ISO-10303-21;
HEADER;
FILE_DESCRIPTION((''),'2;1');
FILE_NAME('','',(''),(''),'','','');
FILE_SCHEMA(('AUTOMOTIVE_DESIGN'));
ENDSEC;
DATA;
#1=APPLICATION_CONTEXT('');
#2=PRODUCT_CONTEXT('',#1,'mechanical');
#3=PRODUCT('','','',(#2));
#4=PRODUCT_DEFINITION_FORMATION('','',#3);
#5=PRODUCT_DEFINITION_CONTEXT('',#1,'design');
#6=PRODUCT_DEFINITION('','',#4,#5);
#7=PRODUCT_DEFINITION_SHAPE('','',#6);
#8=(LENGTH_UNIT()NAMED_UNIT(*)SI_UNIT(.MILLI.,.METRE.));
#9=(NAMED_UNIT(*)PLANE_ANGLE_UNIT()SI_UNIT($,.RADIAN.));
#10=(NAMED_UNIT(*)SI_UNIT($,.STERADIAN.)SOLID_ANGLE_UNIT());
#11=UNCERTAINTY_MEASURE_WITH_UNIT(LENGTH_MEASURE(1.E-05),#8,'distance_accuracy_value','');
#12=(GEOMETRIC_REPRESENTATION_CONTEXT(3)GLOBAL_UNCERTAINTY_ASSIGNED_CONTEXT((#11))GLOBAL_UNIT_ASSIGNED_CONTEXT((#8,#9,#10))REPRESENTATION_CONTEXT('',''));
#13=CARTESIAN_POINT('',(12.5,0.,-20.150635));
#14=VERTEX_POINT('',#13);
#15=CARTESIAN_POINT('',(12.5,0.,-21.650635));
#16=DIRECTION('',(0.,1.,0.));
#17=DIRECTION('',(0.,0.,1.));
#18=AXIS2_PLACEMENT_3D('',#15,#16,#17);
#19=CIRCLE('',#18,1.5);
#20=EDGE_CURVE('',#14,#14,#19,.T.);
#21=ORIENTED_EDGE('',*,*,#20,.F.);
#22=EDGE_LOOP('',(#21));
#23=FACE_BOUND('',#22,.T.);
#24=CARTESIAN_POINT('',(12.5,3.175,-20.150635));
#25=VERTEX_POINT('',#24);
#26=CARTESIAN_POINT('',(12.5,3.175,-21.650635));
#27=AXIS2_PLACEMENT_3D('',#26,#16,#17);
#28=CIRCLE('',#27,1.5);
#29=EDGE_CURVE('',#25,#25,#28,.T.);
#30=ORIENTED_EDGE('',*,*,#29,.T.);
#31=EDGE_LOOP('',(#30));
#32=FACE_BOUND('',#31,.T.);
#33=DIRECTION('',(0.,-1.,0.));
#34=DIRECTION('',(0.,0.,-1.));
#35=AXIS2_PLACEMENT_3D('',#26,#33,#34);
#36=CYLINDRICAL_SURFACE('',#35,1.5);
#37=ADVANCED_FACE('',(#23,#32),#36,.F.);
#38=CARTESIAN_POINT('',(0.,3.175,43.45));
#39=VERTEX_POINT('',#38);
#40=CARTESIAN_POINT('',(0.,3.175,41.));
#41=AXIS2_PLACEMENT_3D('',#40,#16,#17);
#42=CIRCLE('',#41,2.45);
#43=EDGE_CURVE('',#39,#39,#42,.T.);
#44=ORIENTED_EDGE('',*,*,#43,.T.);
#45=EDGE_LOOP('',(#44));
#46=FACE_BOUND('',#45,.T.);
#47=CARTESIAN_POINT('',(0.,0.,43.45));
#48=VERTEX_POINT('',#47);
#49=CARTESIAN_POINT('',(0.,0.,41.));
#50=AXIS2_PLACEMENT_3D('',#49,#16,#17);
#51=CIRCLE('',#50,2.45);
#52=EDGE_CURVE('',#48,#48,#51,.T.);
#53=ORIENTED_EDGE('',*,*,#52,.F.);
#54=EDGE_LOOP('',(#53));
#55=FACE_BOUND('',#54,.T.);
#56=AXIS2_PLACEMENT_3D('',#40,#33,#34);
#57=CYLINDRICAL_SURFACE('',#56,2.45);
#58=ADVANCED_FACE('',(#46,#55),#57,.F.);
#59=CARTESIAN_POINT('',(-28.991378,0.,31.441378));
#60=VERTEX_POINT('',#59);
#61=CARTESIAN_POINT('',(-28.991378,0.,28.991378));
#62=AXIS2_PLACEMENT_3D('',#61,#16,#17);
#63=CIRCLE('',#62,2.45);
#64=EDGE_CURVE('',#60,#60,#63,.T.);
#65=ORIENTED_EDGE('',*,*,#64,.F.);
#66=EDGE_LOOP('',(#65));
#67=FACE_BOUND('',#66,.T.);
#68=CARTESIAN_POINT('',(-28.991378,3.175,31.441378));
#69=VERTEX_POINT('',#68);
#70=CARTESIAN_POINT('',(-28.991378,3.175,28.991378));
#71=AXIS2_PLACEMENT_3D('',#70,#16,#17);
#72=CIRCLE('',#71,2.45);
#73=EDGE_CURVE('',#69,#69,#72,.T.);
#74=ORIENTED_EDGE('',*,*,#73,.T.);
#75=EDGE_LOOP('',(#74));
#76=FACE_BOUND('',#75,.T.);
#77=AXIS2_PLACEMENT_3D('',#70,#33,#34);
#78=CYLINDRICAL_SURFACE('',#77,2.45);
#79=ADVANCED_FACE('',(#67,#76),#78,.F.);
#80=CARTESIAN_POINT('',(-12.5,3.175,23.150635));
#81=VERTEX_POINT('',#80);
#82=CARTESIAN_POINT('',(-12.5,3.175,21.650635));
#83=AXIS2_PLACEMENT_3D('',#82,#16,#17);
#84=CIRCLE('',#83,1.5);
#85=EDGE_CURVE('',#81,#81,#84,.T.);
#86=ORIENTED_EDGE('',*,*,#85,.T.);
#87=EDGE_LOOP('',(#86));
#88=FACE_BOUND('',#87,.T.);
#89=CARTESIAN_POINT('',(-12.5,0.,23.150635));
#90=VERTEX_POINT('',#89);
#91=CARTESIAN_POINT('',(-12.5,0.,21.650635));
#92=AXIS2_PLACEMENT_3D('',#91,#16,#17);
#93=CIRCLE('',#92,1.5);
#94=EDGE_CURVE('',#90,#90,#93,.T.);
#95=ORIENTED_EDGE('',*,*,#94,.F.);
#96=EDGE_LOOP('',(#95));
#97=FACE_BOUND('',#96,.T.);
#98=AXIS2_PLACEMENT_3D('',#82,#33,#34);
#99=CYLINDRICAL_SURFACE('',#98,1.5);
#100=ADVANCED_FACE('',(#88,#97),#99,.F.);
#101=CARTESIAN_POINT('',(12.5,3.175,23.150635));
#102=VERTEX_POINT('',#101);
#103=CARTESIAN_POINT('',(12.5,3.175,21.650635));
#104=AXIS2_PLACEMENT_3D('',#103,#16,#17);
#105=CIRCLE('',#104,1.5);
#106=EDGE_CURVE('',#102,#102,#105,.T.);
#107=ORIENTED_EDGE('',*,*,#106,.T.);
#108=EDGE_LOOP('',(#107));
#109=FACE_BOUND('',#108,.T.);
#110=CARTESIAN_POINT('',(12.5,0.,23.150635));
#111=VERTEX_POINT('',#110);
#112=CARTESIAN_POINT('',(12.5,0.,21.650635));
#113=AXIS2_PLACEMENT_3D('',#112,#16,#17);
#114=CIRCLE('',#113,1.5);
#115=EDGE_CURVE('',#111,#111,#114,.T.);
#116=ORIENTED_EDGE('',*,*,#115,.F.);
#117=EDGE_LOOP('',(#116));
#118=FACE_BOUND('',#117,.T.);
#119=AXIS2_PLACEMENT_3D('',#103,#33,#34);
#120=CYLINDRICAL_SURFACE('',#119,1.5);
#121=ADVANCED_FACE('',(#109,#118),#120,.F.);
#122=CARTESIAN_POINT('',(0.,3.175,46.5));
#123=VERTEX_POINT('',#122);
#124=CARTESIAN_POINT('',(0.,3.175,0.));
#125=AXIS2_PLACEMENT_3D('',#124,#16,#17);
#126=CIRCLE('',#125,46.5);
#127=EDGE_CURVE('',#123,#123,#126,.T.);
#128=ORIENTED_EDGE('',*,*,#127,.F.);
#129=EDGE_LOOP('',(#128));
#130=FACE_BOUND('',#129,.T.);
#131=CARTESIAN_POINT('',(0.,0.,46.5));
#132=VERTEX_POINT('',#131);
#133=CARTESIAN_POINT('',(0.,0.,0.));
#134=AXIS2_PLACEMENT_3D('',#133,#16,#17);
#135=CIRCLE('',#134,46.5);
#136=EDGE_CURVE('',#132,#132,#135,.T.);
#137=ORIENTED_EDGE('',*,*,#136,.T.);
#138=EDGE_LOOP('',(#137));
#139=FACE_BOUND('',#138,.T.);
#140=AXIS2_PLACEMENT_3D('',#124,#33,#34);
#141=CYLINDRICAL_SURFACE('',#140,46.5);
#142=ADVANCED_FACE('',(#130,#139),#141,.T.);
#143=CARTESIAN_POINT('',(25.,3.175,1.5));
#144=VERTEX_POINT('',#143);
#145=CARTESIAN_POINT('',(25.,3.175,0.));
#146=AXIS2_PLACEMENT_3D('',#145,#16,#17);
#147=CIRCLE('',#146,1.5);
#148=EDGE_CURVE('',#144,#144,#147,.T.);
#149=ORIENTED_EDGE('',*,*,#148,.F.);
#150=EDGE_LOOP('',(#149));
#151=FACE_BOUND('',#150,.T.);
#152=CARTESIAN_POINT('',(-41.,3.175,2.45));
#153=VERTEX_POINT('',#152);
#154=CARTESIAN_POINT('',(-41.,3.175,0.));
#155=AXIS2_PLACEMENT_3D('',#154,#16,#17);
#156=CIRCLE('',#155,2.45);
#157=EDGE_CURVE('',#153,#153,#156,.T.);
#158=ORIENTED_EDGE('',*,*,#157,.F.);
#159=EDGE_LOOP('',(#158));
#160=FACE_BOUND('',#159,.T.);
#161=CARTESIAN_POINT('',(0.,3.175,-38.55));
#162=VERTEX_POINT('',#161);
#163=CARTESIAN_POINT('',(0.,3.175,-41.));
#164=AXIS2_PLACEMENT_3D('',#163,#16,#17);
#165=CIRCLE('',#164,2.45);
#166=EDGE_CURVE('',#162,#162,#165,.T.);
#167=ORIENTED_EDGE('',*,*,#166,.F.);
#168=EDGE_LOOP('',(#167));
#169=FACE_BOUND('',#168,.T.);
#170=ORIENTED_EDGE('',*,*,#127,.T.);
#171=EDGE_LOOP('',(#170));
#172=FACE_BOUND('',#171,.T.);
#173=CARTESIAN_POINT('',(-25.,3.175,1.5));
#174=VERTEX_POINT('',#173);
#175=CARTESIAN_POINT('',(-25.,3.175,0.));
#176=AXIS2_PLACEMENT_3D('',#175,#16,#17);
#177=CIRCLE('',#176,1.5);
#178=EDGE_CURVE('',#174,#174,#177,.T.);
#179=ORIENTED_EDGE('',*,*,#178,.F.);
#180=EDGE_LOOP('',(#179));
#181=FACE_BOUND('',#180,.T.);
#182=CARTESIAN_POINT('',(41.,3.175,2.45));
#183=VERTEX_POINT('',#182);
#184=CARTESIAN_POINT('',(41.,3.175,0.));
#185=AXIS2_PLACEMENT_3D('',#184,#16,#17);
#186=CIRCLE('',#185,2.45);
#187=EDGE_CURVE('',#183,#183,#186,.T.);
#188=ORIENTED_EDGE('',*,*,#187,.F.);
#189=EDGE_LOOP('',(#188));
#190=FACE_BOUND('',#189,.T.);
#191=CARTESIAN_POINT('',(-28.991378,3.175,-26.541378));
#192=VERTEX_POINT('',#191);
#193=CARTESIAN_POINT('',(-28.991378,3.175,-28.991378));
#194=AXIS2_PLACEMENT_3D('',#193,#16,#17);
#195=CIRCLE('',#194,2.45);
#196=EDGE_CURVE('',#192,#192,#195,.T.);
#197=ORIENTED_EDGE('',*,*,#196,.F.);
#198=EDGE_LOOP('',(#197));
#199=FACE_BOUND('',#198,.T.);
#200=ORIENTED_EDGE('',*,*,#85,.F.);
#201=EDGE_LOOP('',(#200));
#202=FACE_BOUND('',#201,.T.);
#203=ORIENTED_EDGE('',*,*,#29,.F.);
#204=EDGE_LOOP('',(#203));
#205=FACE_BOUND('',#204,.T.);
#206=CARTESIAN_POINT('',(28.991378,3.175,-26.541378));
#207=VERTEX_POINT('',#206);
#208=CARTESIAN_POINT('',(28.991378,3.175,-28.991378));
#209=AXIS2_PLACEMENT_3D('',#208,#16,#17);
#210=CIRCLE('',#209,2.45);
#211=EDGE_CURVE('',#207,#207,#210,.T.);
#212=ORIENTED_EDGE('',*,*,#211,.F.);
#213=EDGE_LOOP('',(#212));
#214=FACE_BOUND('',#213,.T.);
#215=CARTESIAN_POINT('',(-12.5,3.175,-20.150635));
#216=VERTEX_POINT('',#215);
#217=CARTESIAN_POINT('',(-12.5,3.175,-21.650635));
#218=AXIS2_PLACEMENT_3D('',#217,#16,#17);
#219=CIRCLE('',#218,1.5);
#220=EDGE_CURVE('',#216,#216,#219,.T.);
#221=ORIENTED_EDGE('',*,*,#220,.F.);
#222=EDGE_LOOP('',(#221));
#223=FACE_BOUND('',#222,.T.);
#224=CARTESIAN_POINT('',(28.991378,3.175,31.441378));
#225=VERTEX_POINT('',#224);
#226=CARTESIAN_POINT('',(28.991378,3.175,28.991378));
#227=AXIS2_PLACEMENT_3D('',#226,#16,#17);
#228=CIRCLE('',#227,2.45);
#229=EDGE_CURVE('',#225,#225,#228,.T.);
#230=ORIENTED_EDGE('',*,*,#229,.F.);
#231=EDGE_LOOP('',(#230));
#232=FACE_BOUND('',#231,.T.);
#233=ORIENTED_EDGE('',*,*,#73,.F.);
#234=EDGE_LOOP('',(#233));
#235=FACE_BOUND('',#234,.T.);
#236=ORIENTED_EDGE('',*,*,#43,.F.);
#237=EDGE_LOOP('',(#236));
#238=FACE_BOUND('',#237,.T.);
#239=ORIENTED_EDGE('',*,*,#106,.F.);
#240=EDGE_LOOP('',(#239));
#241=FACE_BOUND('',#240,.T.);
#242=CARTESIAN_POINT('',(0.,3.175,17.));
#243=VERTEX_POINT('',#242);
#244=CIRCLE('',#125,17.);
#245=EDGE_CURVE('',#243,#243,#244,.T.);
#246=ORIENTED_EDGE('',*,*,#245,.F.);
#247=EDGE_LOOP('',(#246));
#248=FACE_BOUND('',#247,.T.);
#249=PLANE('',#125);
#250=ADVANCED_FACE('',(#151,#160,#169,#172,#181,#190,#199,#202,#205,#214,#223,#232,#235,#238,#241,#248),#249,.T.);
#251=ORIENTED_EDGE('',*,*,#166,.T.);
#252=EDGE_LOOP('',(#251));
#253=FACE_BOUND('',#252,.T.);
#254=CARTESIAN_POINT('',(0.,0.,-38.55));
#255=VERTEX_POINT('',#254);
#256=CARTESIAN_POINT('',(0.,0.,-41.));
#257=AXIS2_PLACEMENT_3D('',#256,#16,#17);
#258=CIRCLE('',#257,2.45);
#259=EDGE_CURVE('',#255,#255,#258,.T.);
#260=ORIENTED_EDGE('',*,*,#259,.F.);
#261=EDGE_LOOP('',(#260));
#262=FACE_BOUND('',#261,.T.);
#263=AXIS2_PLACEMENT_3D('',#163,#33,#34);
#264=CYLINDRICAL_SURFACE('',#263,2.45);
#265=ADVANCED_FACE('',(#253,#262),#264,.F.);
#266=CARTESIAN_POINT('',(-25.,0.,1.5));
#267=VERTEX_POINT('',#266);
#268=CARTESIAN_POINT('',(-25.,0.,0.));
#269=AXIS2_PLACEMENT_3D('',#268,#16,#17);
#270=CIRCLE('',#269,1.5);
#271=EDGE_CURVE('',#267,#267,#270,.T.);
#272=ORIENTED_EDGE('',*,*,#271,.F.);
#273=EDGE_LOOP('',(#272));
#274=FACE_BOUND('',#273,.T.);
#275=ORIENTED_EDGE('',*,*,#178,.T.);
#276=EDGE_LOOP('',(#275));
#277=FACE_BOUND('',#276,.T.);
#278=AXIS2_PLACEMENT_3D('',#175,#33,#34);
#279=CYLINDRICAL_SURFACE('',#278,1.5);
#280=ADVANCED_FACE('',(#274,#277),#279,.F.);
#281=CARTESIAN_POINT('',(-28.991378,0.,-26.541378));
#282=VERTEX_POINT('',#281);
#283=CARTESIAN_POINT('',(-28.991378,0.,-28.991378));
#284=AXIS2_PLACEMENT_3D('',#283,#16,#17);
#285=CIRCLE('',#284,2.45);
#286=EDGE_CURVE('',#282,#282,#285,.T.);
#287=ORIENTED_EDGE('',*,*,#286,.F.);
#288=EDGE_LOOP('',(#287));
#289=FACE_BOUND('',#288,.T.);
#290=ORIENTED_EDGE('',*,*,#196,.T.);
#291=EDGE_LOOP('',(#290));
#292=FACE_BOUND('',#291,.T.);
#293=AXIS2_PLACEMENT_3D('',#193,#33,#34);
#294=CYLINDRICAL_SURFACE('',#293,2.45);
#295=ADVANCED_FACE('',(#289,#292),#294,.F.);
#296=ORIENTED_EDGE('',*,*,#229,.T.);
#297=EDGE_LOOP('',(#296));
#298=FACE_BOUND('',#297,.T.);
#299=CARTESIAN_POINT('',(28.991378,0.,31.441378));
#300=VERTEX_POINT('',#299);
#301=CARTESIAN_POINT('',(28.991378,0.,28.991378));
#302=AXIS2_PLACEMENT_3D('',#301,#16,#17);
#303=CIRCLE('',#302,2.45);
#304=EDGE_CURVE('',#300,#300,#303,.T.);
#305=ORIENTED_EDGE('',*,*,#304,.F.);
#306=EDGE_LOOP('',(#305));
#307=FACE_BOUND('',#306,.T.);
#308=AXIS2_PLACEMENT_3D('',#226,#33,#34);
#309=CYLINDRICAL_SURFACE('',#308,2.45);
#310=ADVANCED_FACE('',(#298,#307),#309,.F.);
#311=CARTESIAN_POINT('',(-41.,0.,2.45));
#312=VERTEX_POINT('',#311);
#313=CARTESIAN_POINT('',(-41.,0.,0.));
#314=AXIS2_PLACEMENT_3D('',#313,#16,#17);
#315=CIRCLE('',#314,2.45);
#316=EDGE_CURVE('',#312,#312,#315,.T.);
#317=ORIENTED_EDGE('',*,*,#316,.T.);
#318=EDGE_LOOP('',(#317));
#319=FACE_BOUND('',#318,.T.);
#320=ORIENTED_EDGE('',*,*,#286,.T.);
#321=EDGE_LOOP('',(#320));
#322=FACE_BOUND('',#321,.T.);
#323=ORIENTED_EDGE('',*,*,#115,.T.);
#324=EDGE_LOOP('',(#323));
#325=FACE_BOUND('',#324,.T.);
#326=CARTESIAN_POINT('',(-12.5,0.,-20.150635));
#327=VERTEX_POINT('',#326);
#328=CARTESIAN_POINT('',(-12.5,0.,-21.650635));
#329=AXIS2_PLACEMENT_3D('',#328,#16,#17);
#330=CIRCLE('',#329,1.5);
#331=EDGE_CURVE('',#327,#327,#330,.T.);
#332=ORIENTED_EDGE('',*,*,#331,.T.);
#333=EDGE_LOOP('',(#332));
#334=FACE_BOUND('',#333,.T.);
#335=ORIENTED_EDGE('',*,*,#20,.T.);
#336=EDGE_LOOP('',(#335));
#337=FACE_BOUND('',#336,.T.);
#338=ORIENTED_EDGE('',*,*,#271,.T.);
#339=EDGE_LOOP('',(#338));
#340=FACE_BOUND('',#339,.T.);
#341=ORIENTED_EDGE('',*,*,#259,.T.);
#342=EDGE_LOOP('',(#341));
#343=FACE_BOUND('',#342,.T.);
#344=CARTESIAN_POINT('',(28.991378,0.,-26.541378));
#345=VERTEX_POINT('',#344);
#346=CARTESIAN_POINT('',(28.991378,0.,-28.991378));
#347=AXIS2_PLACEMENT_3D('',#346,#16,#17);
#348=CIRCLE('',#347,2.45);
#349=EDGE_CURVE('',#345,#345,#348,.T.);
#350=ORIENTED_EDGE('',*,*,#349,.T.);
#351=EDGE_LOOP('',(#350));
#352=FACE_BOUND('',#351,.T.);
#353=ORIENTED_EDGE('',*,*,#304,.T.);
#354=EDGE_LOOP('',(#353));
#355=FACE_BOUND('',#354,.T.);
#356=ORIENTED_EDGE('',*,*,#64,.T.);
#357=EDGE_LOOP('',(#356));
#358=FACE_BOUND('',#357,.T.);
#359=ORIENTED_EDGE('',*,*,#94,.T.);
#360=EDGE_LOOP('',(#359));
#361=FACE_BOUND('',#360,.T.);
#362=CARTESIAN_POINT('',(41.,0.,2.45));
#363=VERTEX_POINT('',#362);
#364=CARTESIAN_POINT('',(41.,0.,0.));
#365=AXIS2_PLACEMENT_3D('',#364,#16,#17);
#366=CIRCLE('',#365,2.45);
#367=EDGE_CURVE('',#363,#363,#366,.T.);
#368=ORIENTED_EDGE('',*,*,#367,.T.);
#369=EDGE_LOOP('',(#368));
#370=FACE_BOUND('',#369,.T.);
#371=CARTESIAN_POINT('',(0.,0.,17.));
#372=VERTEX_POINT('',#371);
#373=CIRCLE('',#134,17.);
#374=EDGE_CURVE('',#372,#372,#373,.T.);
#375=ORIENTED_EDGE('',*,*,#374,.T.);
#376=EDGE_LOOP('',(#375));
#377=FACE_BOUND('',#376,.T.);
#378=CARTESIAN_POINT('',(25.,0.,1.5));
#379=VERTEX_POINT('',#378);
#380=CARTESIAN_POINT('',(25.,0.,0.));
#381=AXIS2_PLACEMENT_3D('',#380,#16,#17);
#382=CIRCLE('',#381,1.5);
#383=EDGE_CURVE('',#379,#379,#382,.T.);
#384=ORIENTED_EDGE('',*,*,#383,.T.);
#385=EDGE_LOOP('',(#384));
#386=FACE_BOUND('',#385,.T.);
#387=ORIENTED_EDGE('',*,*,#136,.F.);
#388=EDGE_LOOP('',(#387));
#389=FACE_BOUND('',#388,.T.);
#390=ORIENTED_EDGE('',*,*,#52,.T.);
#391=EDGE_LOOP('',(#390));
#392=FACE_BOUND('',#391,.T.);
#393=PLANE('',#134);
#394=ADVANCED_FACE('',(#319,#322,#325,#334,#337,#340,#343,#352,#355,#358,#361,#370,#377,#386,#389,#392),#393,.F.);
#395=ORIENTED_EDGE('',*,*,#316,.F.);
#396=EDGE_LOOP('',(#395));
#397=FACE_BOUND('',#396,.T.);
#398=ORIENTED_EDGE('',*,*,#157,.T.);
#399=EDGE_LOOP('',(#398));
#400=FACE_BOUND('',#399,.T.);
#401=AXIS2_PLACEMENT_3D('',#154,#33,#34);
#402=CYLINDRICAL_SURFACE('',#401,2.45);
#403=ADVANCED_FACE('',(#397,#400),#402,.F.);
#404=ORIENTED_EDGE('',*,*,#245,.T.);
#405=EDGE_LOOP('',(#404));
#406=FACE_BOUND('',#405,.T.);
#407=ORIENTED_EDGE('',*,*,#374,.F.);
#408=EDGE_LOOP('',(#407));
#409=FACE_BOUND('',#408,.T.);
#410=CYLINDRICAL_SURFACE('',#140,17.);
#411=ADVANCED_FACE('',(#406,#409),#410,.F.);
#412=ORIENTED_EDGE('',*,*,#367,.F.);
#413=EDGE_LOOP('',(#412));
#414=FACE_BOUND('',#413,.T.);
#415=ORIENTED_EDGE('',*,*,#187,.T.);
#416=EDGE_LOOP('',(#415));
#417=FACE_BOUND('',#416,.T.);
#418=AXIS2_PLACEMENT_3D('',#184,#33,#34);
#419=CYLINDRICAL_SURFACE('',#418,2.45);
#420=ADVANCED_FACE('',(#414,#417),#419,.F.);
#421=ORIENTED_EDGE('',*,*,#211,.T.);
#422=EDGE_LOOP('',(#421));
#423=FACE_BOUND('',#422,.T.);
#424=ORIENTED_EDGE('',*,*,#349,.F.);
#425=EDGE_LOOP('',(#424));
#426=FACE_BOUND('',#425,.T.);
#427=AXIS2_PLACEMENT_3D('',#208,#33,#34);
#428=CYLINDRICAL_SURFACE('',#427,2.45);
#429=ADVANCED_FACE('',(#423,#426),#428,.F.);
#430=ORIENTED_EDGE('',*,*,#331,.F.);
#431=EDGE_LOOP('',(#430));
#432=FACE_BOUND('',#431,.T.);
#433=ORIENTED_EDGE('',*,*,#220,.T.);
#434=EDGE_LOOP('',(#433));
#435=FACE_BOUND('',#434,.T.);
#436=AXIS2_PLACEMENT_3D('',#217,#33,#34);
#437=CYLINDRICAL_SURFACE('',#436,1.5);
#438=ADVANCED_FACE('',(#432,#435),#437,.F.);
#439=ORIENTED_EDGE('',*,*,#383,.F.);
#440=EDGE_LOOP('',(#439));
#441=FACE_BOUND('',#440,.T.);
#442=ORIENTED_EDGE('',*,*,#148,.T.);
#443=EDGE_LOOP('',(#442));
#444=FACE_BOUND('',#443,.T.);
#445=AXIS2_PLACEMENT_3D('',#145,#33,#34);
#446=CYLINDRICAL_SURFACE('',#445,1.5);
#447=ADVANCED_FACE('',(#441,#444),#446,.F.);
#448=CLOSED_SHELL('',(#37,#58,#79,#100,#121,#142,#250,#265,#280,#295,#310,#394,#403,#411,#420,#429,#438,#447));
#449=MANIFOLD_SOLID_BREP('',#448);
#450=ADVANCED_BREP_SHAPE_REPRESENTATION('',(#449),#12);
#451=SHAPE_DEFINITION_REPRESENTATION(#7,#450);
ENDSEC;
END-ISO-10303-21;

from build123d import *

# Parameters (mm, degrees)
SKETCH2_R           = 46.5
SKETCH2_R_2         = 17
SKETCH2_R_3         = 2.45
SKETCH2_R_4         = 1.5
BOSS_EXTRUDE1_DEPTH = 3.175


with BuildPart() as part:
    # Sketch2 → Boss-Extrude1 (new body)
    with BuildSketch(Plane(origin=(0, 0, 0), x_dir=(1, 0, 0), z_dir=(0, 1, 0))):
        with Locations(Location((0, 0, 0), (0, 0, 270))):
            Circle(SKETCH2_R)
        with Locations(Location((0, 0, 0), (0, 0, 270))):
            Circle(SKETCH2_R_2, mode=Mode.SUBTRACT)
        with Locations(Location((-41, 0, 0), (0, 0, 270))):
            Circle(SKETCH2_R_3, mode=Mode.SUBTRACT)
        with Locations(Location((-25, 0, 0), (0, 0, 270))):
            Circle(SKETCH2_R_4, mode=Mode.SUBTRACT)
        with Locations(Location((-12.5, 21.650635095, 0), (0, 0, 270))):
            Circle(SKETCH2_R_4, mode=Mode.SUBTRACT)
        with Locations(Location((12.5, 21.650635095, 0), (0, 0, 270))):
            Circle(SKETCH2_R_4, mode=Mode.SUBTRACT)
        with Locations(Location((25, 0, 0), (0, 0, 270))):
            Circle(SKETCH2_R_4, mode=Mode.SUBTRACT)
        with Locations(Location((12.5, -21.650635095, 0), (0, 0, 270))):
            Circle(SKETCH2_R_4, mode=Mode.SUBTRACT)
        with Locations(Location((-12.5, -21.650635095, 0), (0, 0, 270))):
            Circle(SKETCH2_R_4, mode=Mode.SUBTRACT)
        with Locations(Location((-28.991378029, 28.991378029, 0), (0, 0, 270))):
            Circle(SKETCH2_R_3, mode=Mode.SUBTRACT)
        with Locations(Location((0, 41, 0), (0, 0, 270))):
            Circle(SKETCH2_R_3, mode=Mode.SUBTRACT)
        with Locations(Location((28.991378029, 28.991378029, 0), (0, 0, 270))):
            Circle(SKETCH2_R_3, mode=Mode.SUBTRACT)
        with Locations(Location((41, 0, 0), (0, 0, 270))):
            Circle(SKETCH2_R_3, mode=Mode.SUBTRACT)
        with Locations(Location((28.991378029, -28.991378029, 0), (0, 0, 270))):
            Circle(SKETCH2_R_3, mode=Mode.SUBTRACT)
        with Locations(Location((0, -41, 0), (0, 0, 270))):
            Circle(SKETCH2_R_3, mode=Mode.SUBTRACT)
        with Locations(Location((-28.991378029, -28.991378029, 0), (0, 0, 270))):
            Circle(SKETCH2_R_3, mode=Mode.SUBTRACT)
    extrude(amount=BOSS_EXTRUDE1_DEPTH)


solid = part.part
